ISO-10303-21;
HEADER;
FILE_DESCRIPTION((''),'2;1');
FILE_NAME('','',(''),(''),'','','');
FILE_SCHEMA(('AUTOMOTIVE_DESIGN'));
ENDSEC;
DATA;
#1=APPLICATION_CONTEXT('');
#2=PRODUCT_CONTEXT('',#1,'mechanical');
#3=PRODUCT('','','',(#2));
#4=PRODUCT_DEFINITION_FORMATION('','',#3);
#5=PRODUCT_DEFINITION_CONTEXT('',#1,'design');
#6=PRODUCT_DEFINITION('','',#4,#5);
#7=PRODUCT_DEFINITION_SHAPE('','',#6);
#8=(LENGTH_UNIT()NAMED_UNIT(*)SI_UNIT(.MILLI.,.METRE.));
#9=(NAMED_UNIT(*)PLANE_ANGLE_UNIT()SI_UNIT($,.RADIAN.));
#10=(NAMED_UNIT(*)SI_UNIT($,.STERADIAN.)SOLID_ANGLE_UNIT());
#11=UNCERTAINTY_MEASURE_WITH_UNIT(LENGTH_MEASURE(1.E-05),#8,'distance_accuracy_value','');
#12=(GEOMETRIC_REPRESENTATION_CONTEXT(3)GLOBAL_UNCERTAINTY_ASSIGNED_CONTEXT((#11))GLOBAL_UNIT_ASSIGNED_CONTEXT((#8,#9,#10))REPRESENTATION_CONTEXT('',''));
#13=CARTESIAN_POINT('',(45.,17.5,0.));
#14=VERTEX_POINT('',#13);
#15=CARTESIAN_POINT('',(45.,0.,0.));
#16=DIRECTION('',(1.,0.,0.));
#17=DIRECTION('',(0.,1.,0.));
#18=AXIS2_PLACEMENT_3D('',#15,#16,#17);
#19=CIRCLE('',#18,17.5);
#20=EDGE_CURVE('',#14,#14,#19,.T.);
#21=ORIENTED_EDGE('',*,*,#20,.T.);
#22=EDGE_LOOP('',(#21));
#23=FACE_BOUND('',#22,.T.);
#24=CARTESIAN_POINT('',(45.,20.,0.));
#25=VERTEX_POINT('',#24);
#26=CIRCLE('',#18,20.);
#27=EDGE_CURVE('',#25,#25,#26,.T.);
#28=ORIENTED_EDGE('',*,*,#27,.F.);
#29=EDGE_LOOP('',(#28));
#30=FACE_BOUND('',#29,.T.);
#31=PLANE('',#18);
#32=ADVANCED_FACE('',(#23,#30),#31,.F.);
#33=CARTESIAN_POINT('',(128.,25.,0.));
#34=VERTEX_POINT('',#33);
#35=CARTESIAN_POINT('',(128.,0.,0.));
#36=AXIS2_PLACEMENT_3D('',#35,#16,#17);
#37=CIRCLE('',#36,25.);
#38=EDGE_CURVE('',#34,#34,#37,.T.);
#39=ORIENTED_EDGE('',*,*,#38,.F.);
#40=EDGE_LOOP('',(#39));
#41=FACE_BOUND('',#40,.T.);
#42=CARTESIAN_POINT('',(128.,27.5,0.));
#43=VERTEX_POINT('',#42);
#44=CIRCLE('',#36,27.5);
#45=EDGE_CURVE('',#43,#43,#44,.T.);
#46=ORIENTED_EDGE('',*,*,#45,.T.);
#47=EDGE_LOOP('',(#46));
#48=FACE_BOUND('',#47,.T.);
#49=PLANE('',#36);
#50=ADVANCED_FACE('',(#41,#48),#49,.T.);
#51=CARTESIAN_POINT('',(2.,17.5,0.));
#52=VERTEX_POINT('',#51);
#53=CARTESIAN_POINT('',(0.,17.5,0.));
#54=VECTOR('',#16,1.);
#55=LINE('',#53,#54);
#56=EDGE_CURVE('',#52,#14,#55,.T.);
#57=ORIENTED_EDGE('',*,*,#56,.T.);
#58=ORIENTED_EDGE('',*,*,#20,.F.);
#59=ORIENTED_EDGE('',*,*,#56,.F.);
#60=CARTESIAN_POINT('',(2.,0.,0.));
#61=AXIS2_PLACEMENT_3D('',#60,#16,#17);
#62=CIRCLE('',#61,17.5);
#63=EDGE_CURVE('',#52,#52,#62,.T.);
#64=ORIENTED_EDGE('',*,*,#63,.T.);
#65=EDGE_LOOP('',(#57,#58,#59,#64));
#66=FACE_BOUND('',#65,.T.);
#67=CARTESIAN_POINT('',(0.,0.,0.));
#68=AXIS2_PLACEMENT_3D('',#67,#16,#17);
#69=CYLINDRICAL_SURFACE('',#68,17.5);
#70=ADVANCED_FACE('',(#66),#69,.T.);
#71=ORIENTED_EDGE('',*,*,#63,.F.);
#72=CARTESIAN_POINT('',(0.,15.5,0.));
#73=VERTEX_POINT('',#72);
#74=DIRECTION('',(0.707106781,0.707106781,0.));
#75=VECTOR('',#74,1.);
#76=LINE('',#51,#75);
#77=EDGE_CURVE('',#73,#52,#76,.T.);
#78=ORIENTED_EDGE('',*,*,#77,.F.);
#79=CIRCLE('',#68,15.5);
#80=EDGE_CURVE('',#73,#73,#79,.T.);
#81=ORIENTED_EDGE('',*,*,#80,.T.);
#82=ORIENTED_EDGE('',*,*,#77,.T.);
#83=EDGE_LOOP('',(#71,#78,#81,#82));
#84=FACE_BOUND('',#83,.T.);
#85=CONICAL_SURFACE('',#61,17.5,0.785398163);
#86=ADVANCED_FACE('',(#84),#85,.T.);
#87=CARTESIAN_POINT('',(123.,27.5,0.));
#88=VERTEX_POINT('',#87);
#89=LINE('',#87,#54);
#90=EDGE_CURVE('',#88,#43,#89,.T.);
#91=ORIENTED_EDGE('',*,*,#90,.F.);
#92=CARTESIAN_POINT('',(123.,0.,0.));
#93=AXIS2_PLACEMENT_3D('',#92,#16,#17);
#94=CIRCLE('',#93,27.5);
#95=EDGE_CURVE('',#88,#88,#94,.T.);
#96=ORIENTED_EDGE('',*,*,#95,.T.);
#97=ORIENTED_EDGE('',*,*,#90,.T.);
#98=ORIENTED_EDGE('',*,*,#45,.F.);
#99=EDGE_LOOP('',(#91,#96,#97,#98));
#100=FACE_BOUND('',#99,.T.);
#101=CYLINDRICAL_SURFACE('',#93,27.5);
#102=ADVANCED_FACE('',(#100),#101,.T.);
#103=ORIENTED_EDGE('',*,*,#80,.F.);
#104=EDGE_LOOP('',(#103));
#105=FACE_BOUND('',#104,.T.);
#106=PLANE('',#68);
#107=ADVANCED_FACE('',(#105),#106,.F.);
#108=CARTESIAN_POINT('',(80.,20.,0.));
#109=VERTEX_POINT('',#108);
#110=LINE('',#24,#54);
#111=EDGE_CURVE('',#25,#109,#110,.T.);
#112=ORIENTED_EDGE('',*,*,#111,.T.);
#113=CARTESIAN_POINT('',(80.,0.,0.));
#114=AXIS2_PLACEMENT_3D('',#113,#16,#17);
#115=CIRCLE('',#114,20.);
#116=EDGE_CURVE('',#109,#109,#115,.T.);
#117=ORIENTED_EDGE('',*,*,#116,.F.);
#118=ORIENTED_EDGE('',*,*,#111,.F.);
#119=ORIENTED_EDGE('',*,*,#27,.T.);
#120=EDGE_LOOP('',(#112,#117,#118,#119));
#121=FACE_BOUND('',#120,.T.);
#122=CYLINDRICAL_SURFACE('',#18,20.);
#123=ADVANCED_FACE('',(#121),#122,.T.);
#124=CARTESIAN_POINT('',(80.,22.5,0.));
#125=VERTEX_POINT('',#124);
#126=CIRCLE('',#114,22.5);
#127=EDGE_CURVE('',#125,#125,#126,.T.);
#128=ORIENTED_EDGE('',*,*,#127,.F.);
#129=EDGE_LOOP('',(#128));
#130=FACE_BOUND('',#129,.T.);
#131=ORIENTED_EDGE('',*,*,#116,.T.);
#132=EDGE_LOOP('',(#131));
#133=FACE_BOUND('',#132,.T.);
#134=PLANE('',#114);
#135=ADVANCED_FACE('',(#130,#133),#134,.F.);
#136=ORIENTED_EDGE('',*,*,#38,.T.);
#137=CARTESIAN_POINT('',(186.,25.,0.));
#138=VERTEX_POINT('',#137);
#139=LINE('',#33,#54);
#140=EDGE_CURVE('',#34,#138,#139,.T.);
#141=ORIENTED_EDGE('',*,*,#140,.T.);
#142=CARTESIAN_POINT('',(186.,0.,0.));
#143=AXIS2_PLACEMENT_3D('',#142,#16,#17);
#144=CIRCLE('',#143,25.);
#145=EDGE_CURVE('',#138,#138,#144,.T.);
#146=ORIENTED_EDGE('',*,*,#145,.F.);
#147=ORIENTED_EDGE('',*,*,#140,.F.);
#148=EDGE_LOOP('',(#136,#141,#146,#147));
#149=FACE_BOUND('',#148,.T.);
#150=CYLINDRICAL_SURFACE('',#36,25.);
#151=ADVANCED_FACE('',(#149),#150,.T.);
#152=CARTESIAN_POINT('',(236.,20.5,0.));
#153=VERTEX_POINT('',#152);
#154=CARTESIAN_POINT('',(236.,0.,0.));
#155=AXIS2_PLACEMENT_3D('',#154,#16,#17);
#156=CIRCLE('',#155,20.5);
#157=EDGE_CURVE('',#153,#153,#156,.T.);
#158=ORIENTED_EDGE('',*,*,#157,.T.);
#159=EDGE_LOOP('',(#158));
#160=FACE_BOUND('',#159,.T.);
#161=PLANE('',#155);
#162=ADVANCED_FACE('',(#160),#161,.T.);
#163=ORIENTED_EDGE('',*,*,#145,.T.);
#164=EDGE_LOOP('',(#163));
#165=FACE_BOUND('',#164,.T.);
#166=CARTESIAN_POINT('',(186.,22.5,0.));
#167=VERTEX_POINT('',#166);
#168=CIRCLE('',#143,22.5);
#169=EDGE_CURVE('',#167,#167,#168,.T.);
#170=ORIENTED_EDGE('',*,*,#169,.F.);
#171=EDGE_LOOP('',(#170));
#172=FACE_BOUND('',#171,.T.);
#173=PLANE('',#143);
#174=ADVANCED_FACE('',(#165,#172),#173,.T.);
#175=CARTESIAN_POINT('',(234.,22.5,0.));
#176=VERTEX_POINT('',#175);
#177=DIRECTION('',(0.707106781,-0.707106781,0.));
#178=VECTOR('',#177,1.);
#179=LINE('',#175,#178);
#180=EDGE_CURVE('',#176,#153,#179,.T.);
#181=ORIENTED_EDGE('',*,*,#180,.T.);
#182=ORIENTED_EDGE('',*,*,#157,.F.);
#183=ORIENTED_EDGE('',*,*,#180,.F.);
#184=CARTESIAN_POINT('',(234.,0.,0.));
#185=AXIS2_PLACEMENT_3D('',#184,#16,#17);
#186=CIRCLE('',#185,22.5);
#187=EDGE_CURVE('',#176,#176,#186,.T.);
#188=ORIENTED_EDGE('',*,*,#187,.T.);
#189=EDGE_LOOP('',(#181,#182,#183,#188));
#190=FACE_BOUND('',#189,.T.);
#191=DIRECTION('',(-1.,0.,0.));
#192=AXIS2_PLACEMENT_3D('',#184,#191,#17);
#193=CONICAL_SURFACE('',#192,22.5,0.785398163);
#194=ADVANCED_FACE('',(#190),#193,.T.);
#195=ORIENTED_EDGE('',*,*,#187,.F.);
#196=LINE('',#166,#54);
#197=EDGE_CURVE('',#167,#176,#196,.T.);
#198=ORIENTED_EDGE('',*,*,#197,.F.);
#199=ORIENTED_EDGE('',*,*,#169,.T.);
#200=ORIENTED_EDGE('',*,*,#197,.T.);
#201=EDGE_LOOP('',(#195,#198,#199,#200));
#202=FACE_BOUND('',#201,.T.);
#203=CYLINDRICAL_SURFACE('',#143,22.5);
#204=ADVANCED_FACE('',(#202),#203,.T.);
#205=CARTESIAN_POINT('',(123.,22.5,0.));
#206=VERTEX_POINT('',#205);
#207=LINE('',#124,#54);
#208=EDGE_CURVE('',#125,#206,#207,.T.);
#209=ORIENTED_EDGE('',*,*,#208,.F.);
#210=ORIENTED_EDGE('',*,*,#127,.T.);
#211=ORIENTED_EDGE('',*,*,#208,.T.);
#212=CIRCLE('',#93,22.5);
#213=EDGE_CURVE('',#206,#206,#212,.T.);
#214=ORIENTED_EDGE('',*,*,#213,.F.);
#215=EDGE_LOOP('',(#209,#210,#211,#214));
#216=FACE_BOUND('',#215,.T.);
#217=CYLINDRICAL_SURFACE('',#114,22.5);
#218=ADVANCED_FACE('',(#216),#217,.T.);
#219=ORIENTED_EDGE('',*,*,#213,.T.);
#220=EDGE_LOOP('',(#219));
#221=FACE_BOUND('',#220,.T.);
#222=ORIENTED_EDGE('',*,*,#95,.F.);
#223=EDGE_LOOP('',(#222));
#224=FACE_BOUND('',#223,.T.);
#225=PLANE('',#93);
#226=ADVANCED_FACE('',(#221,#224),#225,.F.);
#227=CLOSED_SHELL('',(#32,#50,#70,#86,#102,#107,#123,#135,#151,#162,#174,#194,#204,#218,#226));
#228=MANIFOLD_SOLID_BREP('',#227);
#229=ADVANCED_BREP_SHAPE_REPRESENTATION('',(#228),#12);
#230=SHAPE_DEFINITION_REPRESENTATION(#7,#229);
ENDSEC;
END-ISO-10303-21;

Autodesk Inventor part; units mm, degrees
ref_plane "Start Plane" through (0, 0, 0) normal (1, 0, 0) x (0, 1, 0)
ref_plane "XZ Plane" through (0, 0, 0) normal (0, 1, 0) x (-1, 0, 0)
ref_plane "XY Plane" through (0, 0, 0) normal (0, 0, 1) x (1, 0, 0)
sketch "Main Sketch" plane through (0, 0, 0) normal (0, 0, 1) x (1, 0, 0)
  line L0 (0, 0) -> (236, 0)
  line L1 (0, 0) -> (0, 17.5)
  line L2 (0, 17.5) -> (45, 17.5)
  line L3 (45, 17.5) -> (45, 20)
  line L4 (45, 20) -> (80, 20)
  line L5 (80, 20) -> (80, 22.5)
  line L6 (80, 22.5) -> (123, 22.5)
  line L7 (123, 22.5) -> (123, 27.5)
  line L8 (128, 27.5) -> (128, 25)
  line L9 (123, 27.5) -> (128, 27.5)
  line L10 (186, 25) -> (186, 22.5)
  line L11 (128, 25) -> (186, 25)
  line L12 (236, 22.5) -> (236, 0)
  line L13 (186, 22.5) -> (236, 22.5)
  dimension "d3" = 35
  dimension "d4" = 40
  dimension "d5" = 45
  dimension "d6" = 55
  dimension "d7" = 50
  dimension "d8" = 45
revolve "Revolution1" add sketch "Main Sketch" angle 360 about axis through (0, 0, 0) along (1, 0, 0)
chamfer "Chamfer1" distance 2 angle 45 1 edges at (0, -17.5, 0) measured on face at (30, 17.2734, -2.8072)
chamfer "Chamfer2" distance 2 angle 45 1 edges at (236, -22.5, 0) measured on face at (219.3333, 22.2086, -3.6093)
equation "\"Length\" = 236"
properties part number "Shaft" material "Steel"
